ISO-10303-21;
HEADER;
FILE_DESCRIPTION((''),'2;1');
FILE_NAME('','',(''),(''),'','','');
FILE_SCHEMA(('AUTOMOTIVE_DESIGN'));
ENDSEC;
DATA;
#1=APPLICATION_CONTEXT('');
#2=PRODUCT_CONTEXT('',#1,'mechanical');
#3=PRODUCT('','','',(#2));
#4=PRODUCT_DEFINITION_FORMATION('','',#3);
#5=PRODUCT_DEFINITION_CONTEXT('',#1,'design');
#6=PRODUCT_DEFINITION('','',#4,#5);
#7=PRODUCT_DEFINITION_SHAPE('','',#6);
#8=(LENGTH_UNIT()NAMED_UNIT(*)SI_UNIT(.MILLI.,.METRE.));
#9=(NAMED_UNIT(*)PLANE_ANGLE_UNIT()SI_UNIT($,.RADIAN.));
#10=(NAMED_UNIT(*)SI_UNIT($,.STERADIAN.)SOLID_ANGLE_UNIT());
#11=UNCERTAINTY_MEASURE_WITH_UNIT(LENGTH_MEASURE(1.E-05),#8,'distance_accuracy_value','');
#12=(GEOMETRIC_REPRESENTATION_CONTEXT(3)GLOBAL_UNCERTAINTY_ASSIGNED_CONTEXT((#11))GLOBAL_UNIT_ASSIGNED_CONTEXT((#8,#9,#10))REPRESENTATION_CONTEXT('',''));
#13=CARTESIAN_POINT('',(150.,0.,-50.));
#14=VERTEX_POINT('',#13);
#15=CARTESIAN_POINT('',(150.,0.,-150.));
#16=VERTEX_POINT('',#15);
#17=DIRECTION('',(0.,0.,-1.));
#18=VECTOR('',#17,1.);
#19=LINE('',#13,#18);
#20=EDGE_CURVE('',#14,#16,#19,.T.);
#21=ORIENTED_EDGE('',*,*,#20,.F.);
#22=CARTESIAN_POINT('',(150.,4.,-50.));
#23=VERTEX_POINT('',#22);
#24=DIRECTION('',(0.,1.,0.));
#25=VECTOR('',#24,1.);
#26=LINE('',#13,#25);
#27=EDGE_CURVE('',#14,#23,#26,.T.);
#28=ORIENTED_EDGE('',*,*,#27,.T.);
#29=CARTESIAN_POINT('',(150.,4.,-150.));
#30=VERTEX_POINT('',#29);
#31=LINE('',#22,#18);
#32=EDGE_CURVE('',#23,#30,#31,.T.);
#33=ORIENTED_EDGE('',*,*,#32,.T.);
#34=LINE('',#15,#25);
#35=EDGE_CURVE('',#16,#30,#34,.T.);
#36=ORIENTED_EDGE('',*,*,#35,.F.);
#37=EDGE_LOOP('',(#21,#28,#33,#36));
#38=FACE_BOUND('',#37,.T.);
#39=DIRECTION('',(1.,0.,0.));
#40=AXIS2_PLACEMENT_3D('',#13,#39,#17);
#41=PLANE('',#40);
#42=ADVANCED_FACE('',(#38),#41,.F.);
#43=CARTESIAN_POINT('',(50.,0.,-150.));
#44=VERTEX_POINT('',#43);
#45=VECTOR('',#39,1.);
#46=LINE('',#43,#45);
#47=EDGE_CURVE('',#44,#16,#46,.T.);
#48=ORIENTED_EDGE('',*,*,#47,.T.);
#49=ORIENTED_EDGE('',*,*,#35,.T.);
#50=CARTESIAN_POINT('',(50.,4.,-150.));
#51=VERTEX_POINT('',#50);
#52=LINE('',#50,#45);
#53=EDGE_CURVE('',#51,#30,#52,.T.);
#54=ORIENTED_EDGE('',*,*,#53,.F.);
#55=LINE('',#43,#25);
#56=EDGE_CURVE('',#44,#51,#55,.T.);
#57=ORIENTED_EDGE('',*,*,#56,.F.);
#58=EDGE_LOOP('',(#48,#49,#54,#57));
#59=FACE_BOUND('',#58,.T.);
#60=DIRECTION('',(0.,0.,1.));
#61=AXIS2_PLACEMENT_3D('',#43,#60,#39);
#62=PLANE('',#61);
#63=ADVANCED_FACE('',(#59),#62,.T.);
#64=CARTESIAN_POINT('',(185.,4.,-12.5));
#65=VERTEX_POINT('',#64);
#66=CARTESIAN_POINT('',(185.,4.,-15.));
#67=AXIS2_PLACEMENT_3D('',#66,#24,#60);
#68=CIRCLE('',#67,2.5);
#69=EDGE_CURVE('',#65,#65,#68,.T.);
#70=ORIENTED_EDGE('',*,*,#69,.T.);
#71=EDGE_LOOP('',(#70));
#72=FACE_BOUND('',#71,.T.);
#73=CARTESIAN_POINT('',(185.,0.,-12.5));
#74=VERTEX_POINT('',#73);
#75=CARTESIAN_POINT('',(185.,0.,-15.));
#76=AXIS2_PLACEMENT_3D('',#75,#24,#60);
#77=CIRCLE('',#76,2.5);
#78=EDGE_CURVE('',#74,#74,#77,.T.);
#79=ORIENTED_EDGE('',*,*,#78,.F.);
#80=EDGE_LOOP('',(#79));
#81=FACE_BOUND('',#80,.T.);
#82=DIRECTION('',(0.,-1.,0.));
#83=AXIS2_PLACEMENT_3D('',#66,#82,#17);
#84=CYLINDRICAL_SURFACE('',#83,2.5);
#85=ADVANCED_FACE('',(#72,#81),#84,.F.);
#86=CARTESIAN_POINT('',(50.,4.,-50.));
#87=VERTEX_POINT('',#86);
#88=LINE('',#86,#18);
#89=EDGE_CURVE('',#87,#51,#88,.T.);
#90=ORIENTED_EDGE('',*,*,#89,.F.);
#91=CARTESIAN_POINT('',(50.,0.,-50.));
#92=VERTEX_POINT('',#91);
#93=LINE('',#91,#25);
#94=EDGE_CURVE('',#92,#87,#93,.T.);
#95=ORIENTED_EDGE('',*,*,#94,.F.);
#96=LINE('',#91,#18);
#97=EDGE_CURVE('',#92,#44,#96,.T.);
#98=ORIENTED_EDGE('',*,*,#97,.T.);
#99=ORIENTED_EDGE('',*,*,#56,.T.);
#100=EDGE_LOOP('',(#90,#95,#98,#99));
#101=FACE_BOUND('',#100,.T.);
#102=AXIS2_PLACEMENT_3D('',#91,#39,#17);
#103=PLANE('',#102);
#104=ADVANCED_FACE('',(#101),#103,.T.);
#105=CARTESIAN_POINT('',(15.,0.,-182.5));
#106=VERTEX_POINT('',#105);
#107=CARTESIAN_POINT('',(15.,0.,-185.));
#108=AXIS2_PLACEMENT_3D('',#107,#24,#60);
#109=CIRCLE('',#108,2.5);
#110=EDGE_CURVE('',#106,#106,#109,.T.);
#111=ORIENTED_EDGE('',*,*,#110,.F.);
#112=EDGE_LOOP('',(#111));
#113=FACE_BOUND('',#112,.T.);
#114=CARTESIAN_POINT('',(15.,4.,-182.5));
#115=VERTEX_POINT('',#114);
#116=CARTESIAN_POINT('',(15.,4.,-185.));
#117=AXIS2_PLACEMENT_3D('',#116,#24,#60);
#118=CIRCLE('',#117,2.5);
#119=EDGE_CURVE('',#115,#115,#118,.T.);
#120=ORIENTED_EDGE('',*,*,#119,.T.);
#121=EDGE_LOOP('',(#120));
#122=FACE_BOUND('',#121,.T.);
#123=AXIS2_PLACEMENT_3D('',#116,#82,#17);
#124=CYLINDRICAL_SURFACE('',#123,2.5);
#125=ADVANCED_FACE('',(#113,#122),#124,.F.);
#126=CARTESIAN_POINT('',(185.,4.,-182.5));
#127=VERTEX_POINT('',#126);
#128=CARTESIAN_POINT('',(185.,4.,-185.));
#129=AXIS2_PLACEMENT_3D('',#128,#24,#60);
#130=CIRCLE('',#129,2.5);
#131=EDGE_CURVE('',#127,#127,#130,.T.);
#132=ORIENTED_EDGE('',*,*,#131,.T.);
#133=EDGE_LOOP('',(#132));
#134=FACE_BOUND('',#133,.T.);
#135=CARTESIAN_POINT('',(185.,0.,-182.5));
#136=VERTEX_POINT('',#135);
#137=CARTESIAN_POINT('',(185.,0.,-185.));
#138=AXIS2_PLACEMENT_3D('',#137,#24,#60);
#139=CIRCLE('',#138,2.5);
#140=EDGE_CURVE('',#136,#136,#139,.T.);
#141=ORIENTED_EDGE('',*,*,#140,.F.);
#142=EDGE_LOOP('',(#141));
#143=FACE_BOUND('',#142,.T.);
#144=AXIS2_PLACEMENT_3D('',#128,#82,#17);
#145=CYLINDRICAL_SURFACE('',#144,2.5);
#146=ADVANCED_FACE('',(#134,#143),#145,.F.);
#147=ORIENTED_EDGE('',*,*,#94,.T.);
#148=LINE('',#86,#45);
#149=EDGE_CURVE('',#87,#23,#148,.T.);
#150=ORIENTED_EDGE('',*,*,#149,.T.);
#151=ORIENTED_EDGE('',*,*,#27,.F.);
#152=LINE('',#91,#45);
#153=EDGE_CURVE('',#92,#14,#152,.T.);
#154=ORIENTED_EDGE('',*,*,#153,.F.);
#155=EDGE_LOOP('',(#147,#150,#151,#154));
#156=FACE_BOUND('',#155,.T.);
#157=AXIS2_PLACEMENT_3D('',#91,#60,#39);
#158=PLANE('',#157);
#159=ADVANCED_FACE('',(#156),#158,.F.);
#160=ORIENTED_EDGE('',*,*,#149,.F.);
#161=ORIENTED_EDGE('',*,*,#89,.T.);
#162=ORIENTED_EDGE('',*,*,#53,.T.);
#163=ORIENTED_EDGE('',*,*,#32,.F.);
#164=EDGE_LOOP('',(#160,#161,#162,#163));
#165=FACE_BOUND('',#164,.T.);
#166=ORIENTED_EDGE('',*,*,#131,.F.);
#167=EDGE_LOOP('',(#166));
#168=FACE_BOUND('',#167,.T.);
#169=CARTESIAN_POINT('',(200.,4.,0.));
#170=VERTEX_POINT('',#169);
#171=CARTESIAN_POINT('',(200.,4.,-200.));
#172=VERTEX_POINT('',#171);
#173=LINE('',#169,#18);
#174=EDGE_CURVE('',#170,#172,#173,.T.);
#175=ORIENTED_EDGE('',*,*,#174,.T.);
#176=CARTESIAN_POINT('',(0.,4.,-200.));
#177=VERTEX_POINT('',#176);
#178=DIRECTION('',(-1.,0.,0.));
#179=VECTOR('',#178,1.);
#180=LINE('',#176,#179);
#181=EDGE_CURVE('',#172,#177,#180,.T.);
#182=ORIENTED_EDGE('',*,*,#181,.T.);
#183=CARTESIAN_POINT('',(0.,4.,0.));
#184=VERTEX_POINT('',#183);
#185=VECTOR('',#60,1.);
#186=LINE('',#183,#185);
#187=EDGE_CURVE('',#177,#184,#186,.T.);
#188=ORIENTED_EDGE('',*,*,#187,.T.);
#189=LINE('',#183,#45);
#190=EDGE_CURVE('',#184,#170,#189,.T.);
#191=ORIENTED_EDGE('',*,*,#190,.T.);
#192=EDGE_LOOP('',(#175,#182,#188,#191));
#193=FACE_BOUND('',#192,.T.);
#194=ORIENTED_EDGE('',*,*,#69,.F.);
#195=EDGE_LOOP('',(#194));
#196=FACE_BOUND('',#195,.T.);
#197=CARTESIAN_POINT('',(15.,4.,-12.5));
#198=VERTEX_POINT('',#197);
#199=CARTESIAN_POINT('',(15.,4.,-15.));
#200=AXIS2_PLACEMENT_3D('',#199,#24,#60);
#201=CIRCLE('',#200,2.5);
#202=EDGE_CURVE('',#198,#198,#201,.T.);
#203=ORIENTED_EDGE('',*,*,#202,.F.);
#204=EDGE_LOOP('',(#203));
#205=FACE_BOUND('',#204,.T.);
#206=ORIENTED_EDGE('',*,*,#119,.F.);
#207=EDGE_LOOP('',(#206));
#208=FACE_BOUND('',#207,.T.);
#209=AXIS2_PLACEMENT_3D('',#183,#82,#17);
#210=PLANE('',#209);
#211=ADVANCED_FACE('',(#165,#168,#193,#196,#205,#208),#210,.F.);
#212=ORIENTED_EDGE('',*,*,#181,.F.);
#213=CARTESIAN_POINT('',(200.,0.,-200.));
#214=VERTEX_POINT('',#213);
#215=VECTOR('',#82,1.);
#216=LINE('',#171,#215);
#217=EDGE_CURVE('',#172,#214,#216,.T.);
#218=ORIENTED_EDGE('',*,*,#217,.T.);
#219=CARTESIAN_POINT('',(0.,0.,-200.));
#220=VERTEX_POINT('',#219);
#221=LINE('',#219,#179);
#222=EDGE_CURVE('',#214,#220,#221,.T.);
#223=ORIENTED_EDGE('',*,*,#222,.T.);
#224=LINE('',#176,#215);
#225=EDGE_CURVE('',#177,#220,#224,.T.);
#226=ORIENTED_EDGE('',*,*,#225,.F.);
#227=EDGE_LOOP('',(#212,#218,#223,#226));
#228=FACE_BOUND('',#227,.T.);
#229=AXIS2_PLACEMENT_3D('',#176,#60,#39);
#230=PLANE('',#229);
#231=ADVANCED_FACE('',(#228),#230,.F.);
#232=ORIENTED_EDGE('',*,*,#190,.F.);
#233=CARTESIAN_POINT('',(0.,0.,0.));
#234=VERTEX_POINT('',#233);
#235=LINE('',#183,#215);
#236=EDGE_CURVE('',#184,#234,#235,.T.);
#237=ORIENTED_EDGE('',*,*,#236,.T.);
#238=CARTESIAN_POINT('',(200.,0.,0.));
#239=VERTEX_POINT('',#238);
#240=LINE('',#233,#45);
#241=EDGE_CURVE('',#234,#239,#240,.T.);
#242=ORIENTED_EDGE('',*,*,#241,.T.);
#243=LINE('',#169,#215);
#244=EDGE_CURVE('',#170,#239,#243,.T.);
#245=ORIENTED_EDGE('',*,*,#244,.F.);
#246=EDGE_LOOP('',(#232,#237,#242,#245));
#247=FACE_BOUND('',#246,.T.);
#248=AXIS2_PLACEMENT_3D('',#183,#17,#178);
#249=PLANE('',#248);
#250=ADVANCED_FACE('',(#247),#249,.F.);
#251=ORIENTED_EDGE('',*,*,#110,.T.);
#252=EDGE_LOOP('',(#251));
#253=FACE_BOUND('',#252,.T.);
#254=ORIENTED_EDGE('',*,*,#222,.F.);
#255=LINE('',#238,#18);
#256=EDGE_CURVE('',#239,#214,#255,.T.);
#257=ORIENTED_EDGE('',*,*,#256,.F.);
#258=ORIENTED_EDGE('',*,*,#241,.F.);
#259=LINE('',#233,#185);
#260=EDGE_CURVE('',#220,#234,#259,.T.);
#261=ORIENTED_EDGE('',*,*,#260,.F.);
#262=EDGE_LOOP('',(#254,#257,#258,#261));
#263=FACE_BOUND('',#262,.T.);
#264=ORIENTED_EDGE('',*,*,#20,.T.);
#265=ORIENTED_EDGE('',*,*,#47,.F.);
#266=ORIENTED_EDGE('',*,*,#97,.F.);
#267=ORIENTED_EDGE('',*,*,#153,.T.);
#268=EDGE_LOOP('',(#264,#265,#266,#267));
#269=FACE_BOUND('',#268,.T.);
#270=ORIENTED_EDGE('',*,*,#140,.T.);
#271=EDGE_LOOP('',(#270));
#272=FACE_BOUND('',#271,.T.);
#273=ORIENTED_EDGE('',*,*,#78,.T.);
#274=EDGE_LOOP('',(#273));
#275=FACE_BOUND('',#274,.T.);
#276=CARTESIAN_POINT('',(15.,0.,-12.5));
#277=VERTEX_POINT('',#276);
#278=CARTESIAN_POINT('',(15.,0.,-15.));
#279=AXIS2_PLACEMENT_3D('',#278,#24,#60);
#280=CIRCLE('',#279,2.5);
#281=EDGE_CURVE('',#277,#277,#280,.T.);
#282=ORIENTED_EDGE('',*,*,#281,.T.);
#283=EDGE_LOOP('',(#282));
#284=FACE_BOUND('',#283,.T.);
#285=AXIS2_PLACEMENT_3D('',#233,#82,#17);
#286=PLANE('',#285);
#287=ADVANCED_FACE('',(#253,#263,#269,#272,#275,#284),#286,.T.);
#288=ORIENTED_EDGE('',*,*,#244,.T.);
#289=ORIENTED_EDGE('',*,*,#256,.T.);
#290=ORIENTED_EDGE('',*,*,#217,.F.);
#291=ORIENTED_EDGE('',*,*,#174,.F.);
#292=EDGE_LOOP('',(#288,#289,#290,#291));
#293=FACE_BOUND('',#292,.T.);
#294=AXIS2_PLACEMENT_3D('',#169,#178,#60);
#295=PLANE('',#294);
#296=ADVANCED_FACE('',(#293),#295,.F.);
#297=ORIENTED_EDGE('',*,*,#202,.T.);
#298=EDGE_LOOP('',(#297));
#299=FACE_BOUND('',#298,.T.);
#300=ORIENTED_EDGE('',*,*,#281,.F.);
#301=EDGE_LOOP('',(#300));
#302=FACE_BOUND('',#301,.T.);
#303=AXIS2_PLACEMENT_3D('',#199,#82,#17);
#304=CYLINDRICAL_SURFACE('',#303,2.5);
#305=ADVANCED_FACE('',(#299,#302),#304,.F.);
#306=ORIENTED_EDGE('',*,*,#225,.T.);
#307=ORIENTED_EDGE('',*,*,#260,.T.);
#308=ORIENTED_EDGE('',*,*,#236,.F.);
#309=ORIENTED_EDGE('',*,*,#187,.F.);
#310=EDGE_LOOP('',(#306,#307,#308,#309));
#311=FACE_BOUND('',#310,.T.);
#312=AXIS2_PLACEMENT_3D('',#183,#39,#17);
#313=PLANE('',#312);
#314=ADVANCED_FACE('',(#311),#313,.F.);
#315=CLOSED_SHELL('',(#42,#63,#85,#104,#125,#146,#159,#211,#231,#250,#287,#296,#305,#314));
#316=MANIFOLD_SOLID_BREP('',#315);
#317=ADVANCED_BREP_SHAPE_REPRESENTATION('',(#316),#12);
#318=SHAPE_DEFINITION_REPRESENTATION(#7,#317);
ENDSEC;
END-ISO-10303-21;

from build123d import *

# Parameters (mm, degrees)
CROQUIS1_W              = 200
CROQUIS1_H              = 200
CROQUIS1_R              = 2.5
SALIENTE_EXTRUIR1_DEPTH = 4
CROQUIS2_W              = 100
CROQUIS2_H              = 100
CORTAR_EXTRUIR1_DEPTH   = 4


with BuildPart() as part:
    # Croquis1 → Saliente-Extruir1 (new body)
    with BuildSketch(Plane(origin=(0, 0, 0), x_dir=(1, 0, 0), z_dir=(0, 1, 0))):
        with Locations((100, 100)):
            Rectangle(CROQUIS1_W, CROQUIS1_H)
        with Locations(Location((15, 185, 0), (0, 0, 270))):
            Circle(CROQUIS1_R, mode=Mode.SUBTRACT)
        with Locations(Location((185, 185, 0), (0, 0, 270))):
            Circle(CROQUIS1_R, mode=Mode.SUBTRACT)
        with Locations(Location((185, 15, 0), (0, 0, 270))):
            Circle(CROQUIS1_R, mode=Mode.SUBTRACT)
        with Locations(Location((15, 15, 0), (0, 0, 270))):
            Circle(CROQUIS1_R, mode=Mode.SUBTRACT)
    extrude(amount=SALIENTE_EXTRUIR1_DEPTH)

    # Croquis2 → Cortar-Extruir1 (cut)
    with BuildSketch(Plane(origin=(0, 4, 0), x_dir=(1, 0, 0), z_dir=(0, 1, 0))):
        with Locations((100, 100)):
            Rectangle(CROQUIS2_W, CROQUIS2_H)
    extrude(amount=-CORTAR_EXTRUIR1_DEPTH, mode=Mode.SUBTRACT)


solid = part.part
